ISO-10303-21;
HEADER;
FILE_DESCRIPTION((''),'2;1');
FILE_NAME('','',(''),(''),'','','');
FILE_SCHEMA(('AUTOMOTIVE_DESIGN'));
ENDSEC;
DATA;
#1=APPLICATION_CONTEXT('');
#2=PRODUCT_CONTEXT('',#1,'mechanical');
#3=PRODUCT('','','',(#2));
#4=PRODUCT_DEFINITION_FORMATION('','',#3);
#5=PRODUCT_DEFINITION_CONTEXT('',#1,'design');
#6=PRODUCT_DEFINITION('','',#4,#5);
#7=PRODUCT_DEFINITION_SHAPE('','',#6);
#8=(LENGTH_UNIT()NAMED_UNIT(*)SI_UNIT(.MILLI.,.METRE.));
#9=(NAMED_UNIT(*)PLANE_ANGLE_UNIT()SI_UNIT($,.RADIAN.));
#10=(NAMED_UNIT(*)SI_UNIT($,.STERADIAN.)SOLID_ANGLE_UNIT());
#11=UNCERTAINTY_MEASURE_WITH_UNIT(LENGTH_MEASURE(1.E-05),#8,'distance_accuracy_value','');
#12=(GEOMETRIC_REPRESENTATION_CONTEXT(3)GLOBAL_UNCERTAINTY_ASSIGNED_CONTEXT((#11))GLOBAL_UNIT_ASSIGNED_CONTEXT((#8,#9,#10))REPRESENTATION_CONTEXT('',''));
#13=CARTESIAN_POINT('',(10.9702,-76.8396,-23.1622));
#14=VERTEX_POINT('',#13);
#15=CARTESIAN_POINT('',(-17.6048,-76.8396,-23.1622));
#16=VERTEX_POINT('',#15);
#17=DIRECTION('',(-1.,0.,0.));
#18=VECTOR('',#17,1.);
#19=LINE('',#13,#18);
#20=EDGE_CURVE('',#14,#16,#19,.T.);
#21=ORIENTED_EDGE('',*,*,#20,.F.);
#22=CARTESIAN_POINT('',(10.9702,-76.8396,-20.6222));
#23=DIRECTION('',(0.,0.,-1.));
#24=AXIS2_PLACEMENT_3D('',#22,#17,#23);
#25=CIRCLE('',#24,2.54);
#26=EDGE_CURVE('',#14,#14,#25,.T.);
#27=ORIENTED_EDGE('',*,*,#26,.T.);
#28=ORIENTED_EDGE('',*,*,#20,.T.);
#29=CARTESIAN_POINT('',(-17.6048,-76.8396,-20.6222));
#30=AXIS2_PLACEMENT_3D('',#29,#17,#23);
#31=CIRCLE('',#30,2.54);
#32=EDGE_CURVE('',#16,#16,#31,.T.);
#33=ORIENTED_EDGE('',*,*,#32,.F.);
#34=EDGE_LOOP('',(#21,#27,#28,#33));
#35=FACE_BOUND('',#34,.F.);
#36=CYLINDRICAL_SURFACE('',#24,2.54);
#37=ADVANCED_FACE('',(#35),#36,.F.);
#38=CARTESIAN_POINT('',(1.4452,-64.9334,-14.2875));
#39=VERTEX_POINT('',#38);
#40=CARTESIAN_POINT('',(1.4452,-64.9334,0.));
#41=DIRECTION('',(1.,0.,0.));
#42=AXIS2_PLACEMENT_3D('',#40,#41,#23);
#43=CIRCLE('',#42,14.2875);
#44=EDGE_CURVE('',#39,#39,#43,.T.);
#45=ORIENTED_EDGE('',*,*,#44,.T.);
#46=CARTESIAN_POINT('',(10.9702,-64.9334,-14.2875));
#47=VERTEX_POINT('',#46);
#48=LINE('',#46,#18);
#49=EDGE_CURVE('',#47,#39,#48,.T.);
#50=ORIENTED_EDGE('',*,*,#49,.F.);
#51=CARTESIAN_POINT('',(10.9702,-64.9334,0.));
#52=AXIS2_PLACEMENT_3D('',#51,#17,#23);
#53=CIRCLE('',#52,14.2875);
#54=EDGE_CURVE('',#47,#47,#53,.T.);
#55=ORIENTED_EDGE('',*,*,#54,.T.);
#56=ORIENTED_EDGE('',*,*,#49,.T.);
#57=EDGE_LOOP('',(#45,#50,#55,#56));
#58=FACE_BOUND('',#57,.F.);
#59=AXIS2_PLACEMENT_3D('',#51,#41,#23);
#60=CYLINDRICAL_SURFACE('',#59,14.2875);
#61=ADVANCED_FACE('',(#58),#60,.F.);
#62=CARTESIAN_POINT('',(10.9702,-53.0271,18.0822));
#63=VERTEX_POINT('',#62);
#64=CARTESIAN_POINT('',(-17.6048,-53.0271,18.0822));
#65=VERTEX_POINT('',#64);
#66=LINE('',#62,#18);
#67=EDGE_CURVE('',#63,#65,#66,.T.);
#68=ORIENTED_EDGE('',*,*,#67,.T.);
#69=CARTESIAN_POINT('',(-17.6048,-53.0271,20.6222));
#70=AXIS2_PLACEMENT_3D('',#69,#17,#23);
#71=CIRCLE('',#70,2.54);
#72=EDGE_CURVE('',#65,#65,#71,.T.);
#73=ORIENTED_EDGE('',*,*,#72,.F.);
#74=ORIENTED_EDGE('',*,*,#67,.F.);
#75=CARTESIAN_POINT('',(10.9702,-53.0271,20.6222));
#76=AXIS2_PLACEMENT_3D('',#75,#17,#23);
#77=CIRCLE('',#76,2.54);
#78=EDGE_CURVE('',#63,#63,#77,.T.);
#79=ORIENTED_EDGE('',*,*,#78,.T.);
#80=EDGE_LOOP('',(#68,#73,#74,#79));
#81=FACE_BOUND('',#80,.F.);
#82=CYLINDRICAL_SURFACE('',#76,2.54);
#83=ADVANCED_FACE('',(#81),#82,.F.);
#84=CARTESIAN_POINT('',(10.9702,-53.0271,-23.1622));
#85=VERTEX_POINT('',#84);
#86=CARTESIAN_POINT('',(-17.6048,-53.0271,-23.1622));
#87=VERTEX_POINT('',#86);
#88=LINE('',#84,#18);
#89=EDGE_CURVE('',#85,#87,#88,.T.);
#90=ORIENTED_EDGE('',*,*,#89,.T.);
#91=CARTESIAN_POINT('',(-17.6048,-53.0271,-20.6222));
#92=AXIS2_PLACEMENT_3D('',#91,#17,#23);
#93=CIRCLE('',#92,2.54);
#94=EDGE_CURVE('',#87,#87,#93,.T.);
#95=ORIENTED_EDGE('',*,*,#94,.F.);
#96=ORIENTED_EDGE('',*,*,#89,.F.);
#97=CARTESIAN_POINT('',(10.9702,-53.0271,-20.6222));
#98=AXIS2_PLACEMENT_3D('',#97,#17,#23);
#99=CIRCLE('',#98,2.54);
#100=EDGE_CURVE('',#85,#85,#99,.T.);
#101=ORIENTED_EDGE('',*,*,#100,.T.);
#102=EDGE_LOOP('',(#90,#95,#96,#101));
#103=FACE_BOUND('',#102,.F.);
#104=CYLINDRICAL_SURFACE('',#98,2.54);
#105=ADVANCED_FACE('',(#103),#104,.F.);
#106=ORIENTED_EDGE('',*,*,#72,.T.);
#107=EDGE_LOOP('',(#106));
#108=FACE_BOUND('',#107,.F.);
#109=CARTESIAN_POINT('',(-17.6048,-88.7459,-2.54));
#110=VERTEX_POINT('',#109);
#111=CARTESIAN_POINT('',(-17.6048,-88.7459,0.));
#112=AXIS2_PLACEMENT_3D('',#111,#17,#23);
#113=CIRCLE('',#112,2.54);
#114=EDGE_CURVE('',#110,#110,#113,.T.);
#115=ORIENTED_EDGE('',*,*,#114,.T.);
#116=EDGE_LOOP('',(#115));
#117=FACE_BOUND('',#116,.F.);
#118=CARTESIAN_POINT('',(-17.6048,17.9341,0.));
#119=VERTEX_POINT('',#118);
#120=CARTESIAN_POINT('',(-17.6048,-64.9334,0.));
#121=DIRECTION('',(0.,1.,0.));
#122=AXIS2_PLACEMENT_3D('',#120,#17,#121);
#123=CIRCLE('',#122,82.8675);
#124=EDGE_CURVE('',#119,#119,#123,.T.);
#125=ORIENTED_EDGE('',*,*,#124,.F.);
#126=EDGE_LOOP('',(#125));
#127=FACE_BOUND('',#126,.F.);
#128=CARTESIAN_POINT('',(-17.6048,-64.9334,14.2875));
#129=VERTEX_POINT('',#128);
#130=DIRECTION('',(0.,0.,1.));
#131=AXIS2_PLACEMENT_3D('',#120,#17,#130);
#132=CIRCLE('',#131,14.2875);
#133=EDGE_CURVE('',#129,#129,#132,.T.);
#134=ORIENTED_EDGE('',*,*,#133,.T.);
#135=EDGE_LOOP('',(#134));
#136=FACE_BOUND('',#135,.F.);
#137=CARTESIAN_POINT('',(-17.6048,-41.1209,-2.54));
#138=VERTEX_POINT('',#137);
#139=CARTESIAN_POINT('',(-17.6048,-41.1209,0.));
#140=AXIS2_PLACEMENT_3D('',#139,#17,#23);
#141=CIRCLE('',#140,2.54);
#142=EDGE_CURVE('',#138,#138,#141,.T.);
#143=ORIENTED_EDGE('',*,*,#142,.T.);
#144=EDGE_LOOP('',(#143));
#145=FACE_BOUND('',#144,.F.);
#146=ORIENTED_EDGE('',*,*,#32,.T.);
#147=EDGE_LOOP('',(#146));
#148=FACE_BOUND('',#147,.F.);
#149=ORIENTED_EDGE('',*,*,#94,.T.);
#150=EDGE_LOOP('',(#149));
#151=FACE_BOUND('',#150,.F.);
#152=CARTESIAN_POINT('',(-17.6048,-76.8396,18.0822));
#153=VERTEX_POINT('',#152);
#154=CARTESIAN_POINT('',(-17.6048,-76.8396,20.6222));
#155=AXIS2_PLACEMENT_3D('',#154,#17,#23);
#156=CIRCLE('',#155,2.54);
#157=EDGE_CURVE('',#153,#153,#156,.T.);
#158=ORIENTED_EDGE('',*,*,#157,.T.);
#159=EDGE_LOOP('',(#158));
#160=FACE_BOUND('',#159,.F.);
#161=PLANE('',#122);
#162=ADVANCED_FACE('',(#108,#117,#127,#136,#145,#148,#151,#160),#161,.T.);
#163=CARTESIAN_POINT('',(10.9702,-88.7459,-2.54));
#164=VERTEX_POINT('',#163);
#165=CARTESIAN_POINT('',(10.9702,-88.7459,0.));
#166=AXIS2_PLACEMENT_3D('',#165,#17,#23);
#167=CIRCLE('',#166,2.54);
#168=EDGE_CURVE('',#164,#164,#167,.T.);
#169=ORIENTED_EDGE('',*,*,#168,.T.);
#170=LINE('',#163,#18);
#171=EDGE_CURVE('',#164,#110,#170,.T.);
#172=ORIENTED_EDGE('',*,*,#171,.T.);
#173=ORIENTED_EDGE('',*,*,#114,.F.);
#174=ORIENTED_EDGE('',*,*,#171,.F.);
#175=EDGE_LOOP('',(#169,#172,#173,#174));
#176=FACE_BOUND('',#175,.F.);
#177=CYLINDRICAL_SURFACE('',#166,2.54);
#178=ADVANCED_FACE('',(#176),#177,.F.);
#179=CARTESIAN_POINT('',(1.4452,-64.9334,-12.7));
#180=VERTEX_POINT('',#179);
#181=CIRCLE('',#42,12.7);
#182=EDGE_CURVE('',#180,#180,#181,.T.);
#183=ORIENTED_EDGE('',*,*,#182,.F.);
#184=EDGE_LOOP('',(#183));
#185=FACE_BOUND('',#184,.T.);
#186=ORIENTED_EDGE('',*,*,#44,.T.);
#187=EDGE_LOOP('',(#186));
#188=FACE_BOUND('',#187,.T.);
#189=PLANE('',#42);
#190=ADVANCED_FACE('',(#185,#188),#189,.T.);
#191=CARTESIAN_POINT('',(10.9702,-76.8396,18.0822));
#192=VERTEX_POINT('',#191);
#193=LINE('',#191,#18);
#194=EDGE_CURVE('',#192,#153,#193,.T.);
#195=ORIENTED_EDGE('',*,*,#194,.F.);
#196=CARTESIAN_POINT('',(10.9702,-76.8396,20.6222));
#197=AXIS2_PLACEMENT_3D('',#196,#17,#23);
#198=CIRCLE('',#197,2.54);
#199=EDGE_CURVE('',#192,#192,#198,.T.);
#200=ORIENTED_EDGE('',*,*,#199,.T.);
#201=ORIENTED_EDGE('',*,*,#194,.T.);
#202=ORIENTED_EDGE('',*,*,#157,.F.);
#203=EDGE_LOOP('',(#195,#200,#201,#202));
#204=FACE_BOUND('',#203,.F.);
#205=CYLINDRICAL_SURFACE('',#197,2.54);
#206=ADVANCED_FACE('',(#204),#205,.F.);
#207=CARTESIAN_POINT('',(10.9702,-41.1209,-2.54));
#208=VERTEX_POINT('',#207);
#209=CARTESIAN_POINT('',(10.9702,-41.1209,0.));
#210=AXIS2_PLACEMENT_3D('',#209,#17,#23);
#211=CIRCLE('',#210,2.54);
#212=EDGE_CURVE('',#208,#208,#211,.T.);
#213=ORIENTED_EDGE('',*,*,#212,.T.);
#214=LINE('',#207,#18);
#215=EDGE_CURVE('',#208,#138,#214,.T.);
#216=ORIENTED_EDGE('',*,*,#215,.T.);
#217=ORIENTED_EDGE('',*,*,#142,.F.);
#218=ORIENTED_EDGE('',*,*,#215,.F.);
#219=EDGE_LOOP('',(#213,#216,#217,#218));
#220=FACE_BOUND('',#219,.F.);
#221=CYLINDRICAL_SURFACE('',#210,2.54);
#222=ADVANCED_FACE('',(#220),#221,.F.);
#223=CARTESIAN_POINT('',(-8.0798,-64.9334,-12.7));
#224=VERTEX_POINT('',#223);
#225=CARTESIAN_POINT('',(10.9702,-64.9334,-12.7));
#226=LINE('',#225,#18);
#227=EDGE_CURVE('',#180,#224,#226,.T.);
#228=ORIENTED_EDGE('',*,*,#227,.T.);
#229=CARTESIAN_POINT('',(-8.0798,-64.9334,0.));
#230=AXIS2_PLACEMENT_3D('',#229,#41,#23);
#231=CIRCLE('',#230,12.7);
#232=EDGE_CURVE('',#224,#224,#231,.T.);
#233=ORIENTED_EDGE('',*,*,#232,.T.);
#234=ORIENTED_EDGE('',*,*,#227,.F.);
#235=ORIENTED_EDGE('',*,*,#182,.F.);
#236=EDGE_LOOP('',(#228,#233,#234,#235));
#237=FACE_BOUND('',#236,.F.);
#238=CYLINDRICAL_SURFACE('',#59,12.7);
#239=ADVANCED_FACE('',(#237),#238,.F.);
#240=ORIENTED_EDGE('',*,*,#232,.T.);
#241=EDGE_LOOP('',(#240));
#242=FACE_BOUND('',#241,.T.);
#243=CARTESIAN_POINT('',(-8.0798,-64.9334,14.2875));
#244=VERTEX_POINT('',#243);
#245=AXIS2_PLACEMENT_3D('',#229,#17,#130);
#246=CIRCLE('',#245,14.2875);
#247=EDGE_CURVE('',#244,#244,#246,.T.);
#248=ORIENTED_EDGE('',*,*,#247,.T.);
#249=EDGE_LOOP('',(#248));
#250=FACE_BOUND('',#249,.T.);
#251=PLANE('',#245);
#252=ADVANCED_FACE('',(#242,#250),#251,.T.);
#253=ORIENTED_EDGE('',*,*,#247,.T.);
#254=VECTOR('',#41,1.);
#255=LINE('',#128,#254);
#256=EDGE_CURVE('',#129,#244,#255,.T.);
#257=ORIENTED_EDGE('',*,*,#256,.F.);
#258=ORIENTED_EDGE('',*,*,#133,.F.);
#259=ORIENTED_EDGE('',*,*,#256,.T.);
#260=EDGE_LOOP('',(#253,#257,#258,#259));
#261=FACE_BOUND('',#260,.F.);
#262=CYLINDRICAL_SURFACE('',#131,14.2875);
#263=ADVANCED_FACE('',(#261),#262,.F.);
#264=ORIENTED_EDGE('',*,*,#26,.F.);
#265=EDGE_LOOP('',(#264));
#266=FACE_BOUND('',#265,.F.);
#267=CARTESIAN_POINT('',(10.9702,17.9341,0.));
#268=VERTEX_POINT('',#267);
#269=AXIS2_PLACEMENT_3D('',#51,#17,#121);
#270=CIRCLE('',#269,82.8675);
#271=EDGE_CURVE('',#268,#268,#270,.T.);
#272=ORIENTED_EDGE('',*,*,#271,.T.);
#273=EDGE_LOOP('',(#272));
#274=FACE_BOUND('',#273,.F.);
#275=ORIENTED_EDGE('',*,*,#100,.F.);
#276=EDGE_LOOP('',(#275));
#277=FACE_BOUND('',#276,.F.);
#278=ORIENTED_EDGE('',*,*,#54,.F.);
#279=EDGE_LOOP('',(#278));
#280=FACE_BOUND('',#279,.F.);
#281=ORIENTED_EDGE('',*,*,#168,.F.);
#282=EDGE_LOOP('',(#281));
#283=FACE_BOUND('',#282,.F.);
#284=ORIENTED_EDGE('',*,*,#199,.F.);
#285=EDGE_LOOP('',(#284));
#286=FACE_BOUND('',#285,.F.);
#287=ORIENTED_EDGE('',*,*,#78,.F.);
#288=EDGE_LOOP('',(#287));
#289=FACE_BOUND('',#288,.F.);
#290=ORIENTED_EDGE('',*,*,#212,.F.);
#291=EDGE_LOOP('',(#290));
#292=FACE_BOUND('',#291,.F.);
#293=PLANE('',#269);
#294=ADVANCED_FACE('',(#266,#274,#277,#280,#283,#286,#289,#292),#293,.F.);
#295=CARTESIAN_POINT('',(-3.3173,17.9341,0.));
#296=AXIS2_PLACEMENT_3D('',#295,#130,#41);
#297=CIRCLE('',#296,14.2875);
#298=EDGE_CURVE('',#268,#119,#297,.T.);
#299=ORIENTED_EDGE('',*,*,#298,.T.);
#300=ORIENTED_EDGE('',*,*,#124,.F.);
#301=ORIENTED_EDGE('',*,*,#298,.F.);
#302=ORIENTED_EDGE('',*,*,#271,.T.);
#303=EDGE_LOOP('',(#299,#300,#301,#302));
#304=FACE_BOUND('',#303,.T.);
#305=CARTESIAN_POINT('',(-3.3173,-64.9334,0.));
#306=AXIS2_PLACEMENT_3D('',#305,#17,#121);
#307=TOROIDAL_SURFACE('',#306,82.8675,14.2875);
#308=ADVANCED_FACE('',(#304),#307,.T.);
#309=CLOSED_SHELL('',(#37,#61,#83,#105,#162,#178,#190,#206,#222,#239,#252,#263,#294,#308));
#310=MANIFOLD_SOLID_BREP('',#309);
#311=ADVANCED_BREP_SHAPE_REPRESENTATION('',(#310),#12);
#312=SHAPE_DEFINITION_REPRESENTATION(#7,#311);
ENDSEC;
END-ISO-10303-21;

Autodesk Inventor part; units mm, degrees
ref_plane "YZ Plane" through (0, 0, 0) normal (1, 0, 0) x (0, 1, 0)
ref_plane "XZ Plane" through (0, 0, 0) normal (0, 1, 0) x (-1, 0, 0)
ref_plane "XY Plane" through (0, 0, 0) normal (0, 0, 1) x (1, 0, 0)
sketch "Sketch1" plane through (0, 0, 0) normal (0, 0, 1) x (1, 0, 0)
  line L0 (-17.6048, 17.9341) -> (10.9702, 17.9341)
  line L1 (10.9702, 17.9341) -> (10.9702, -64.9334)
  line L2 (10.9702, -64.9334) -> (-17.6048, -64.9334)
  line L3 (-17.6048, -64.9334) -> (-17.6048, 17.9341)
  circle A0 centre (-3.3173, 17.9341) radius 14.2875
  point P0 (0, 0)
  dimension "d0" = 28.575
  dimension "d1" = 82.8675
revolve "Revolution1" add sketch "Sketch1" angle 360 about axis through (10.9702, -64.9334, 0) along (-1, 0, 0)
sketch "Sketch2" plane through (10.9702, -64.9334, 0) normal (1, 0, 0) x (0, 0, -1)
  circle A0 centre (0, 0) radius 82.8675 projected
  circle A1 centre (0, 0) radius 23.8125
  circle A2 centre (0, 0) radius 12.7
  line L0 (0, 0) -> (0, 42.8884)
  line L1 (37.1175, 21.4298) -> (0, 0)
  line L2 (0, 0) -> (31.3254, -18.0857)
  line L3 (31.3254, -18.0857) -> (0, 0)
  line L4 (0, 0) -> (0, -34.1508)
  line L5 (0, -34.1508) -> (0, 0)
  line L6 (0, 0) -> (-30.532, -17.6277)
  line L7 (-30.532, -17.6277) -> (0, 0)
  line L8 (0, 0) -> (-29.5082, 17.0365)
  circle A3 centre (0, 0) radius 14.2875
  point P0 (0, 64.9334)
  point P1 (0, 23.8125)
  point P2 (20.6222, 11.9063)
  point P3 (20.6222, -11.9062)
  point P4 (0, -23.8125)
  point P5 (-20.6222, -11.9063)
  point P6 (-20.6222, 11.9062)
  dimension "d3" = 47.625
  dimension "d4" = 25.4
  dimension "d5" = 60
  dimension "d6" = 60
  dimension "d7" = 60
  dimension "d8" = 60
  dimension "d16" = 28.575
hole "Hole1" at (10.9702, -41.1209, 0) at (10.9702, -53.0271, -20.6222) at (10.9702, -76.8396, -20.6222) at (10.9702, -88.7459, 0) at (10.9702, -76.8396, 20.6222) at (10.9702, -53.0271, 20.6222) direction (-1, 0, 0) diameter 5.08 depth 50.8 tip angle 118
extrude "Extrusion1" cut sketch "Sketch2" against normal blind 50.8 contours L1 L0 A2 | A2 L2 L1 | A2 L4 L2 | L0 L8 A2 | L4 A2 L6 | L6 A2 L8
extrude "Extrusion2" cut sketch "Sketch2" against normal blind 9.525 contours A3 L2 A2 L1 | L1 A2 L0 A3 | A3 L4 A2 L2 | L0 A2 L8 A3 | A3 L6 A2 L4 | L8 A2 L6 A3
sketch "Sketch3" plane through (-17.6048, -64.9334, 0) normal (-1, 0, 0) x (0, 0, 1)
  circle A0 centre (0, 0) radius 12.7 projected
  circle A1 centre (0, 0) radius 82.8675 projected
  circle A2 centre (0, 0) radius 14.2875
  point P0 (0, 64.9334)
  dimension "d21" = 28.575
extrude "Extrusion3" cut sketch "Sketch3" against normal blind 9.525 contours A2
properties part number "pneumatic 8'' wheel sketchy quality"
